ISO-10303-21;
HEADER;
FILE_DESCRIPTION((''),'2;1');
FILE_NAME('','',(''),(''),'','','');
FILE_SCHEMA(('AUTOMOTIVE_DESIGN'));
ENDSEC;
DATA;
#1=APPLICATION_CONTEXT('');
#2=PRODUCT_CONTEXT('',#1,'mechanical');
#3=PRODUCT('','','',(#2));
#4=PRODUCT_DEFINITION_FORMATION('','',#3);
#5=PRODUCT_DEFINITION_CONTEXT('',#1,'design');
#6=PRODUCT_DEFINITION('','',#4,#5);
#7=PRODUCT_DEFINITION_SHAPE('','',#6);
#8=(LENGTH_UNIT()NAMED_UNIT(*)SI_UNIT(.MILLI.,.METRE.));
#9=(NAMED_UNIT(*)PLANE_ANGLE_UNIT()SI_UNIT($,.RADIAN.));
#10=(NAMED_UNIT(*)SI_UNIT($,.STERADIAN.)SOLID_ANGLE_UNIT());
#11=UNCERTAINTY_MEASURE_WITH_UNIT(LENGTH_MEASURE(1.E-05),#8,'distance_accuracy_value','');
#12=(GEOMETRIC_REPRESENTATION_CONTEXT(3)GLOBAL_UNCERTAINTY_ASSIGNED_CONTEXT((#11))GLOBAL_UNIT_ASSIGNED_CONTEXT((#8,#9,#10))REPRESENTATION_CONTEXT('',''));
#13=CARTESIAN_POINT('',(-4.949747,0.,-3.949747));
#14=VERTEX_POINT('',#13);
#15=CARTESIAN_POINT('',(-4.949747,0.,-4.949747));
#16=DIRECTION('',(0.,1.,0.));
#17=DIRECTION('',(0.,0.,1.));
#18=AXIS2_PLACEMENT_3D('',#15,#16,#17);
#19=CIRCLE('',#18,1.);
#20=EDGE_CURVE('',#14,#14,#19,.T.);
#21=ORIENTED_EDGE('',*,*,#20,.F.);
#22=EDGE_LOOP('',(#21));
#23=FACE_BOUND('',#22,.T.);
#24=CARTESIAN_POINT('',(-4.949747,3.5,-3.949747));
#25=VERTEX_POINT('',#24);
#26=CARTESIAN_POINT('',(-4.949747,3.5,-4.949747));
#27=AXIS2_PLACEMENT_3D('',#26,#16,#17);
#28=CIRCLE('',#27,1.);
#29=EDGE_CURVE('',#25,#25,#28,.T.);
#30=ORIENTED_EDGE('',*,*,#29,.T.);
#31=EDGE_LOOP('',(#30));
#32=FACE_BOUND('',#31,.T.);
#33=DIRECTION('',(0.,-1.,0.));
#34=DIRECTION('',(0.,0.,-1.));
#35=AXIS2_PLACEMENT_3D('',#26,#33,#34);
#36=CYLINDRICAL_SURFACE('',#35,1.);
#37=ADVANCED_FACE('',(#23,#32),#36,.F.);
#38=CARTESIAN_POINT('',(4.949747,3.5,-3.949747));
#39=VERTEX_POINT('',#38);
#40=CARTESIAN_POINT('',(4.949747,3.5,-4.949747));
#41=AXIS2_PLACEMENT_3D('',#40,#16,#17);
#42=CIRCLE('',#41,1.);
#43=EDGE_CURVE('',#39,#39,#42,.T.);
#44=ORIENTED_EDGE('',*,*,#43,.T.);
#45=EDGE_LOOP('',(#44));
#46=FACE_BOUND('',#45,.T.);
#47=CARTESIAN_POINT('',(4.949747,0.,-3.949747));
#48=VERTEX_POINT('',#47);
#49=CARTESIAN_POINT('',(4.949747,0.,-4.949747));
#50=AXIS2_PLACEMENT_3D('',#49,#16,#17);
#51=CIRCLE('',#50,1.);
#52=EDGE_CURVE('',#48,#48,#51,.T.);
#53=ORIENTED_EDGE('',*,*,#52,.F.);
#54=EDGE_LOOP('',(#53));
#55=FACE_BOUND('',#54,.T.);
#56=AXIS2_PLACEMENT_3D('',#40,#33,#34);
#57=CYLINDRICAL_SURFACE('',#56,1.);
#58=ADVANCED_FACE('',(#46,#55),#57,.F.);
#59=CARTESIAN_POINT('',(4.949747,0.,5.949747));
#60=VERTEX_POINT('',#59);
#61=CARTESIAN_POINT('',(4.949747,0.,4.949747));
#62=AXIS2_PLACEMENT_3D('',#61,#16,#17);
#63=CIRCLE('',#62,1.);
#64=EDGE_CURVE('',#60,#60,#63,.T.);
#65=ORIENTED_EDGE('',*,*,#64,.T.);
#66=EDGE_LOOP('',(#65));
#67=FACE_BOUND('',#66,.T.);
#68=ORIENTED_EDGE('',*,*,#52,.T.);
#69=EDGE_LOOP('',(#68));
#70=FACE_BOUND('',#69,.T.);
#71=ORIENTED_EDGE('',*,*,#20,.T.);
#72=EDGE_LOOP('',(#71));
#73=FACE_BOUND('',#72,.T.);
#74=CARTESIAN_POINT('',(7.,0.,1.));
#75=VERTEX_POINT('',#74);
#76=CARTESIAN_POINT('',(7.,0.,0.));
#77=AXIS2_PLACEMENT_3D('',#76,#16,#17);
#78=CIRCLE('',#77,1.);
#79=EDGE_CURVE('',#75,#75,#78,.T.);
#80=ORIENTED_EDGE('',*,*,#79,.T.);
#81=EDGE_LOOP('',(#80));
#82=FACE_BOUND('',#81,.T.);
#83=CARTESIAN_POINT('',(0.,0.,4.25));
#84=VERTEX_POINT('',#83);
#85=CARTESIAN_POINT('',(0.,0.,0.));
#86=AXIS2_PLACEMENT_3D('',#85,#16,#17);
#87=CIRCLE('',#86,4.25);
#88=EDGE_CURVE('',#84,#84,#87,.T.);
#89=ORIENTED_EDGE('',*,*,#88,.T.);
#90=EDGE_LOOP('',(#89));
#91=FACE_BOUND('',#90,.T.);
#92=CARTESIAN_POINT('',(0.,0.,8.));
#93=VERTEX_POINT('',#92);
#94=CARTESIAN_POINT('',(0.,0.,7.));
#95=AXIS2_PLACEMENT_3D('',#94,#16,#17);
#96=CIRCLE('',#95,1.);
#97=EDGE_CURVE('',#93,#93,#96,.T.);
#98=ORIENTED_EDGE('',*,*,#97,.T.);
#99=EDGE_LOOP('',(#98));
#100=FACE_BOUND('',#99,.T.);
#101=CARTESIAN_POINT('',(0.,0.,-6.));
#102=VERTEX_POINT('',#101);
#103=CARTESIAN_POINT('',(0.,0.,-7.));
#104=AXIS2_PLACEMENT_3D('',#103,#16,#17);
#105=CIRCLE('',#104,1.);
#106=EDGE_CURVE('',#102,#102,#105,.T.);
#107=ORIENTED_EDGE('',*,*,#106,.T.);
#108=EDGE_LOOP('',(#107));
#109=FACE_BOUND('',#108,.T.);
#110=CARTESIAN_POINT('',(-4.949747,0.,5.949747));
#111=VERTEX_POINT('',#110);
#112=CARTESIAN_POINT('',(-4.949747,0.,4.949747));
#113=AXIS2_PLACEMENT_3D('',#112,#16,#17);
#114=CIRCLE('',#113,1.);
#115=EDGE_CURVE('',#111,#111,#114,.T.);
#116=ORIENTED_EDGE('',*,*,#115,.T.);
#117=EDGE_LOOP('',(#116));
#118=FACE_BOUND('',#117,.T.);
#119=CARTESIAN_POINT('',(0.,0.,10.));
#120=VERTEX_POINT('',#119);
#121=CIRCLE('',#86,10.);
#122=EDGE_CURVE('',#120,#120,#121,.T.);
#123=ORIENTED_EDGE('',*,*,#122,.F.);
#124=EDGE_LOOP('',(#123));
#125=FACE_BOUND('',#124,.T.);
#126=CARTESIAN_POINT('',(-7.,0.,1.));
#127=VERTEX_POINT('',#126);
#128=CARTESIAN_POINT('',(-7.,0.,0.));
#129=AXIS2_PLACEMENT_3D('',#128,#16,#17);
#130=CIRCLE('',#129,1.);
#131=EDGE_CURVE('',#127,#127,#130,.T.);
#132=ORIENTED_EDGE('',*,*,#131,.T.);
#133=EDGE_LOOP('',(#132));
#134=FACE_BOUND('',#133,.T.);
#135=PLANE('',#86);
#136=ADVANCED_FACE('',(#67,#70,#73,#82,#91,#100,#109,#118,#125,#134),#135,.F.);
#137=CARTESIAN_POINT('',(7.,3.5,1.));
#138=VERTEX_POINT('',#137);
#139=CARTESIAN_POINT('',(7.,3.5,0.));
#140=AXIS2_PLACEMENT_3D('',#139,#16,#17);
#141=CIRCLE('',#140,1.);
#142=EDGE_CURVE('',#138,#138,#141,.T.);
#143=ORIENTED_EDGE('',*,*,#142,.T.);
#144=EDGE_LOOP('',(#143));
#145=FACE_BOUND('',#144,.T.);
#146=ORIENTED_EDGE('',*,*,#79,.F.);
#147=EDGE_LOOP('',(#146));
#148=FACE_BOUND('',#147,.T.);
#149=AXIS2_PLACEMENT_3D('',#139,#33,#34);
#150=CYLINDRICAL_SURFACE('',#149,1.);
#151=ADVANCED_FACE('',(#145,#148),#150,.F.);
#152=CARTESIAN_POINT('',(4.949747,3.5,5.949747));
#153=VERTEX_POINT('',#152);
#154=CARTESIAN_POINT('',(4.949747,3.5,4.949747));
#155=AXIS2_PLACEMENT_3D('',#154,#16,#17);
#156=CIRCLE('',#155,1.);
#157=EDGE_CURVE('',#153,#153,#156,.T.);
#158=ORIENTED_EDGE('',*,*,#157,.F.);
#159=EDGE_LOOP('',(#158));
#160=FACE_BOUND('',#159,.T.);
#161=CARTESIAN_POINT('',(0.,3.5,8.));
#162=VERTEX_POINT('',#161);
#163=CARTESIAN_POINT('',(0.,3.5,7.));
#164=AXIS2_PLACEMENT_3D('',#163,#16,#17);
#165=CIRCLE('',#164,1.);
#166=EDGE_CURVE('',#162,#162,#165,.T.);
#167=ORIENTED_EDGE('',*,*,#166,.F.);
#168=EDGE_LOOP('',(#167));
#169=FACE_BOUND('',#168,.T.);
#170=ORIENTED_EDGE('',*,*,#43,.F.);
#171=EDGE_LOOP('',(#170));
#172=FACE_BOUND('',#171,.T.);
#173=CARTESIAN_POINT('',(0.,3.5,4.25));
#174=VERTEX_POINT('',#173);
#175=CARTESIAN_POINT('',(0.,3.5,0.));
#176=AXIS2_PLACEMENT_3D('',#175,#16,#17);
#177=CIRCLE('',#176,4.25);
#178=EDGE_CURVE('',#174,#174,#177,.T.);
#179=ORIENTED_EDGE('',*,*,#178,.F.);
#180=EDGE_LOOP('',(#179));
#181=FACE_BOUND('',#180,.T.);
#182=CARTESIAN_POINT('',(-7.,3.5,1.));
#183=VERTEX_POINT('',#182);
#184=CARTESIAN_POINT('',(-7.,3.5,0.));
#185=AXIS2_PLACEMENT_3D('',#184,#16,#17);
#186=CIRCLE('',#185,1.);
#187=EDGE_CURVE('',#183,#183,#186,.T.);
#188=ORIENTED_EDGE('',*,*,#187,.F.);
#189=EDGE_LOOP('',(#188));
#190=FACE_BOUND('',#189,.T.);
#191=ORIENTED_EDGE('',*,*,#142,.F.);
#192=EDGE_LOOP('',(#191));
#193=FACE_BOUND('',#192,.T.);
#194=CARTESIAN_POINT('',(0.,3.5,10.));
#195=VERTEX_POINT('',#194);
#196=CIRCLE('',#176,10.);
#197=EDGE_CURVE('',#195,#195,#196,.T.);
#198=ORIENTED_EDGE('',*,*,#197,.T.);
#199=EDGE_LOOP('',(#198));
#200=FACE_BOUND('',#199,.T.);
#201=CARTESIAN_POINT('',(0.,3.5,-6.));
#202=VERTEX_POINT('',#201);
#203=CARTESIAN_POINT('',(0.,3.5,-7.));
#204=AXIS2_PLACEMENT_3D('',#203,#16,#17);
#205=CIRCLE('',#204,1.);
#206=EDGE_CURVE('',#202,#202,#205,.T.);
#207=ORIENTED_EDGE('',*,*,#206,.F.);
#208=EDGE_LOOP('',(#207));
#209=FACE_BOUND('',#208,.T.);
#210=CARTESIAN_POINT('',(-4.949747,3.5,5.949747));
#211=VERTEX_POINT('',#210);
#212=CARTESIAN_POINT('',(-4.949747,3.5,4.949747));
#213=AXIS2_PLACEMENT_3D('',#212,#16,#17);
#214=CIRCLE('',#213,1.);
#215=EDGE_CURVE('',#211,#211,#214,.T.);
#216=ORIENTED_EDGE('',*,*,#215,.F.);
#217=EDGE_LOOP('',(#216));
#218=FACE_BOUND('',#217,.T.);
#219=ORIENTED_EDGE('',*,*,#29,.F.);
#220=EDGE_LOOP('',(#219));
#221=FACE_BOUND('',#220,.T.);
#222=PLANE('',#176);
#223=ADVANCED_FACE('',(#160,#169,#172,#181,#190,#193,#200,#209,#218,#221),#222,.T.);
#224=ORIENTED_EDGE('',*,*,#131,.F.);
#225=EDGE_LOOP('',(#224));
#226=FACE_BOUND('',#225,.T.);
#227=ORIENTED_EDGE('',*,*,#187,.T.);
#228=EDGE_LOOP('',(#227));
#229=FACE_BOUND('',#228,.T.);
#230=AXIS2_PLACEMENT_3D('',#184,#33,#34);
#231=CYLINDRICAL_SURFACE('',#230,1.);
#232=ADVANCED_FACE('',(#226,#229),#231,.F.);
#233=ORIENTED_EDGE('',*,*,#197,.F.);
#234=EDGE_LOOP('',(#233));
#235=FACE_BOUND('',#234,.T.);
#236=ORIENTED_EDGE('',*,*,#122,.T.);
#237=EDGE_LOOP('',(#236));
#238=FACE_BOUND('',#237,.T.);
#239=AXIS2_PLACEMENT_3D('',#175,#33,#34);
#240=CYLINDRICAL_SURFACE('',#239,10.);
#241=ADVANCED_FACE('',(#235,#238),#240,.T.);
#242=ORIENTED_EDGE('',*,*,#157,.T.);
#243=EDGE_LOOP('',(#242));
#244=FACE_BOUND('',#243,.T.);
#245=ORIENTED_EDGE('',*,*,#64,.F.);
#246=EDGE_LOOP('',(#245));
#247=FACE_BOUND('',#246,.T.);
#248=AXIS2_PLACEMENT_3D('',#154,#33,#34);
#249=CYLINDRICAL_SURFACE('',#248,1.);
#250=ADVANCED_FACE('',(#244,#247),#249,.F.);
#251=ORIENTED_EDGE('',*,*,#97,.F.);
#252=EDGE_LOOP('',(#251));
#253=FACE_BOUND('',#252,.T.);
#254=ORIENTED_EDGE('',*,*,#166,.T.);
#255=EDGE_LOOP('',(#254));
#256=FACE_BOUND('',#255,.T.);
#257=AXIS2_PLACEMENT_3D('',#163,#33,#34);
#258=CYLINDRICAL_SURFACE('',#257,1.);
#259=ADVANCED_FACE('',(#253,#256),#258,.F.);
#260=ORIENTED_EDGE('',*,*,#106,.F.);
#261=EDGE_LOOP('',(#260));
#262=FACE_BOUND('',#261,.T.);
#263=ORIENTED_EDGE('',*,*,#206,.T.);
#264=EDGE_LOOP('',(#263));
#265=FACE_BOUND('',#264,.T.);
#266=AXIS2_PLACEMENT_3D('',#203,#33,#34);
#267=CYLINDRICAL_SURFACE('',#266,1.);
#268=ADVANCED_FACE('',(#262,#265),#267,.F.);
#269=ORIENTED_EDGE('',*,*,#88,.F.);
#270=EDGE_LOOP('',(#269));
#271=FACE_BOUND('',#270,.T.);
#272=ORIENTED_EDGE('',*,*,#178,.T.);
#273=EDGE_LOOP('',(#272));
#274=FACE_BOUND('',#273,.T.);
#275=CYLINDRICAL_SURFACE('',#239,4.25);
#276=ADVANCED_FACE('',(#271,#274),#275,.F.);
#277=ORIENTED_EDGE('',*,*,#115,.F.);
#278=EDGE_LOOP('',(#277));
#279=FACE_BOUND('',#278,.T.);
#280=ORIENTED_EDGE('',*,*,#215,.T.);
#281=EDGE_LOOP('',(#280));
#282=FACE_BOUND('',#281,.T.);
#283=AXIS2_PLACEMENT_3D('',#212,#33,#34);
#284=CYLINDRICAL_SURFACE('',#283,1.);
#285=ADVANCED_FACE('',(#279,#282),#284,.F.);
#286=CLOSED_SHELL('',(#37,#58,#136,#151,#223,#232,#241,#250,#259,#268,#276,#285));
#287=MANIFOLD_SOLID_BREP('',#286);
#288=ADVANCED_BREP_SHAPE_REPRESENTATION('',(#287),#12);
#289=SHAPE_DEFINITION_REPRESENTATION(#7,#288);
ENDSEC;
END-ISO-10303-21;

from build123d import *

# Parameters (mm, degrees)
SKETCH2_R           = 10
SKETCH2_R_2         = 4.25
SKETCH2_R_3         = 1
BOSS_EXTRUDE1_DEPTH = 3.5


with BuildPart() as part:
    # Sketch2 → Boss-Extrude1 (new body)
    with BuildSketch(Plane(origin=(0, 0, 0), x_dir=(1, 0, 0), z_dir=(0, 1, 0))):
        with Locations(Location((0, 0, 0), (0, 0, 270))):
            Circle(SKETCH2_R)
        with Locations(Location((0, 0, 0), (0, 0, 270))):
            Circle(SKETCH2_R_2, mode=Mode.SUBTRACT)
        with Locations(Location((0, 7, 0), (0, 0, 270))):
            Circle(SKETCH2_R_3, mode=Mode.SUBTRACT)
        with Locations(Location((4.949747468, 4.949747468, 0), (0, 0, 270))):
            Circle(SKETCH2_R_3, mode=Mode.SUBTRACT)
        with Locations(Location((7, 0, 0), (0, 0, 270))):
            Circle(SKETCH2_R_3, mode=Mode.SUBTRACT)
        with Locations(Location((4.949747468, -4.949747468, 0), (0, 0, 270))):
            Circle(SKETCH2_R_3, mode=Mode.SUBTRACT)
        with Locations(Location((0, -7, 0), (0, 0, 270))):
            Circle(SKETCH2_R_3, mode=Mode.SUBTRACT)
        with Locations(Location((-4.949747468, -4.949747468, 0), (0, 0, 270))):
            Circle(SKETCH2_R_3, mode=Mode.SUBTRACT)
        with Locations(Location((-7, 0, 0), (0, 0, 270))):
            Circle(SKETCH2_R_3, mode=Mode.SUBTRACT)
        with Locations(Location((-4.949747468, 4.949747468, 0), (0, 0, 270))):
            Circle(SKETCH2_R_3, mode=Mode.SUBTRACT)
    extrude(amount=BOSS_EXTRUDE1_DEPTH)


solid = part.part
